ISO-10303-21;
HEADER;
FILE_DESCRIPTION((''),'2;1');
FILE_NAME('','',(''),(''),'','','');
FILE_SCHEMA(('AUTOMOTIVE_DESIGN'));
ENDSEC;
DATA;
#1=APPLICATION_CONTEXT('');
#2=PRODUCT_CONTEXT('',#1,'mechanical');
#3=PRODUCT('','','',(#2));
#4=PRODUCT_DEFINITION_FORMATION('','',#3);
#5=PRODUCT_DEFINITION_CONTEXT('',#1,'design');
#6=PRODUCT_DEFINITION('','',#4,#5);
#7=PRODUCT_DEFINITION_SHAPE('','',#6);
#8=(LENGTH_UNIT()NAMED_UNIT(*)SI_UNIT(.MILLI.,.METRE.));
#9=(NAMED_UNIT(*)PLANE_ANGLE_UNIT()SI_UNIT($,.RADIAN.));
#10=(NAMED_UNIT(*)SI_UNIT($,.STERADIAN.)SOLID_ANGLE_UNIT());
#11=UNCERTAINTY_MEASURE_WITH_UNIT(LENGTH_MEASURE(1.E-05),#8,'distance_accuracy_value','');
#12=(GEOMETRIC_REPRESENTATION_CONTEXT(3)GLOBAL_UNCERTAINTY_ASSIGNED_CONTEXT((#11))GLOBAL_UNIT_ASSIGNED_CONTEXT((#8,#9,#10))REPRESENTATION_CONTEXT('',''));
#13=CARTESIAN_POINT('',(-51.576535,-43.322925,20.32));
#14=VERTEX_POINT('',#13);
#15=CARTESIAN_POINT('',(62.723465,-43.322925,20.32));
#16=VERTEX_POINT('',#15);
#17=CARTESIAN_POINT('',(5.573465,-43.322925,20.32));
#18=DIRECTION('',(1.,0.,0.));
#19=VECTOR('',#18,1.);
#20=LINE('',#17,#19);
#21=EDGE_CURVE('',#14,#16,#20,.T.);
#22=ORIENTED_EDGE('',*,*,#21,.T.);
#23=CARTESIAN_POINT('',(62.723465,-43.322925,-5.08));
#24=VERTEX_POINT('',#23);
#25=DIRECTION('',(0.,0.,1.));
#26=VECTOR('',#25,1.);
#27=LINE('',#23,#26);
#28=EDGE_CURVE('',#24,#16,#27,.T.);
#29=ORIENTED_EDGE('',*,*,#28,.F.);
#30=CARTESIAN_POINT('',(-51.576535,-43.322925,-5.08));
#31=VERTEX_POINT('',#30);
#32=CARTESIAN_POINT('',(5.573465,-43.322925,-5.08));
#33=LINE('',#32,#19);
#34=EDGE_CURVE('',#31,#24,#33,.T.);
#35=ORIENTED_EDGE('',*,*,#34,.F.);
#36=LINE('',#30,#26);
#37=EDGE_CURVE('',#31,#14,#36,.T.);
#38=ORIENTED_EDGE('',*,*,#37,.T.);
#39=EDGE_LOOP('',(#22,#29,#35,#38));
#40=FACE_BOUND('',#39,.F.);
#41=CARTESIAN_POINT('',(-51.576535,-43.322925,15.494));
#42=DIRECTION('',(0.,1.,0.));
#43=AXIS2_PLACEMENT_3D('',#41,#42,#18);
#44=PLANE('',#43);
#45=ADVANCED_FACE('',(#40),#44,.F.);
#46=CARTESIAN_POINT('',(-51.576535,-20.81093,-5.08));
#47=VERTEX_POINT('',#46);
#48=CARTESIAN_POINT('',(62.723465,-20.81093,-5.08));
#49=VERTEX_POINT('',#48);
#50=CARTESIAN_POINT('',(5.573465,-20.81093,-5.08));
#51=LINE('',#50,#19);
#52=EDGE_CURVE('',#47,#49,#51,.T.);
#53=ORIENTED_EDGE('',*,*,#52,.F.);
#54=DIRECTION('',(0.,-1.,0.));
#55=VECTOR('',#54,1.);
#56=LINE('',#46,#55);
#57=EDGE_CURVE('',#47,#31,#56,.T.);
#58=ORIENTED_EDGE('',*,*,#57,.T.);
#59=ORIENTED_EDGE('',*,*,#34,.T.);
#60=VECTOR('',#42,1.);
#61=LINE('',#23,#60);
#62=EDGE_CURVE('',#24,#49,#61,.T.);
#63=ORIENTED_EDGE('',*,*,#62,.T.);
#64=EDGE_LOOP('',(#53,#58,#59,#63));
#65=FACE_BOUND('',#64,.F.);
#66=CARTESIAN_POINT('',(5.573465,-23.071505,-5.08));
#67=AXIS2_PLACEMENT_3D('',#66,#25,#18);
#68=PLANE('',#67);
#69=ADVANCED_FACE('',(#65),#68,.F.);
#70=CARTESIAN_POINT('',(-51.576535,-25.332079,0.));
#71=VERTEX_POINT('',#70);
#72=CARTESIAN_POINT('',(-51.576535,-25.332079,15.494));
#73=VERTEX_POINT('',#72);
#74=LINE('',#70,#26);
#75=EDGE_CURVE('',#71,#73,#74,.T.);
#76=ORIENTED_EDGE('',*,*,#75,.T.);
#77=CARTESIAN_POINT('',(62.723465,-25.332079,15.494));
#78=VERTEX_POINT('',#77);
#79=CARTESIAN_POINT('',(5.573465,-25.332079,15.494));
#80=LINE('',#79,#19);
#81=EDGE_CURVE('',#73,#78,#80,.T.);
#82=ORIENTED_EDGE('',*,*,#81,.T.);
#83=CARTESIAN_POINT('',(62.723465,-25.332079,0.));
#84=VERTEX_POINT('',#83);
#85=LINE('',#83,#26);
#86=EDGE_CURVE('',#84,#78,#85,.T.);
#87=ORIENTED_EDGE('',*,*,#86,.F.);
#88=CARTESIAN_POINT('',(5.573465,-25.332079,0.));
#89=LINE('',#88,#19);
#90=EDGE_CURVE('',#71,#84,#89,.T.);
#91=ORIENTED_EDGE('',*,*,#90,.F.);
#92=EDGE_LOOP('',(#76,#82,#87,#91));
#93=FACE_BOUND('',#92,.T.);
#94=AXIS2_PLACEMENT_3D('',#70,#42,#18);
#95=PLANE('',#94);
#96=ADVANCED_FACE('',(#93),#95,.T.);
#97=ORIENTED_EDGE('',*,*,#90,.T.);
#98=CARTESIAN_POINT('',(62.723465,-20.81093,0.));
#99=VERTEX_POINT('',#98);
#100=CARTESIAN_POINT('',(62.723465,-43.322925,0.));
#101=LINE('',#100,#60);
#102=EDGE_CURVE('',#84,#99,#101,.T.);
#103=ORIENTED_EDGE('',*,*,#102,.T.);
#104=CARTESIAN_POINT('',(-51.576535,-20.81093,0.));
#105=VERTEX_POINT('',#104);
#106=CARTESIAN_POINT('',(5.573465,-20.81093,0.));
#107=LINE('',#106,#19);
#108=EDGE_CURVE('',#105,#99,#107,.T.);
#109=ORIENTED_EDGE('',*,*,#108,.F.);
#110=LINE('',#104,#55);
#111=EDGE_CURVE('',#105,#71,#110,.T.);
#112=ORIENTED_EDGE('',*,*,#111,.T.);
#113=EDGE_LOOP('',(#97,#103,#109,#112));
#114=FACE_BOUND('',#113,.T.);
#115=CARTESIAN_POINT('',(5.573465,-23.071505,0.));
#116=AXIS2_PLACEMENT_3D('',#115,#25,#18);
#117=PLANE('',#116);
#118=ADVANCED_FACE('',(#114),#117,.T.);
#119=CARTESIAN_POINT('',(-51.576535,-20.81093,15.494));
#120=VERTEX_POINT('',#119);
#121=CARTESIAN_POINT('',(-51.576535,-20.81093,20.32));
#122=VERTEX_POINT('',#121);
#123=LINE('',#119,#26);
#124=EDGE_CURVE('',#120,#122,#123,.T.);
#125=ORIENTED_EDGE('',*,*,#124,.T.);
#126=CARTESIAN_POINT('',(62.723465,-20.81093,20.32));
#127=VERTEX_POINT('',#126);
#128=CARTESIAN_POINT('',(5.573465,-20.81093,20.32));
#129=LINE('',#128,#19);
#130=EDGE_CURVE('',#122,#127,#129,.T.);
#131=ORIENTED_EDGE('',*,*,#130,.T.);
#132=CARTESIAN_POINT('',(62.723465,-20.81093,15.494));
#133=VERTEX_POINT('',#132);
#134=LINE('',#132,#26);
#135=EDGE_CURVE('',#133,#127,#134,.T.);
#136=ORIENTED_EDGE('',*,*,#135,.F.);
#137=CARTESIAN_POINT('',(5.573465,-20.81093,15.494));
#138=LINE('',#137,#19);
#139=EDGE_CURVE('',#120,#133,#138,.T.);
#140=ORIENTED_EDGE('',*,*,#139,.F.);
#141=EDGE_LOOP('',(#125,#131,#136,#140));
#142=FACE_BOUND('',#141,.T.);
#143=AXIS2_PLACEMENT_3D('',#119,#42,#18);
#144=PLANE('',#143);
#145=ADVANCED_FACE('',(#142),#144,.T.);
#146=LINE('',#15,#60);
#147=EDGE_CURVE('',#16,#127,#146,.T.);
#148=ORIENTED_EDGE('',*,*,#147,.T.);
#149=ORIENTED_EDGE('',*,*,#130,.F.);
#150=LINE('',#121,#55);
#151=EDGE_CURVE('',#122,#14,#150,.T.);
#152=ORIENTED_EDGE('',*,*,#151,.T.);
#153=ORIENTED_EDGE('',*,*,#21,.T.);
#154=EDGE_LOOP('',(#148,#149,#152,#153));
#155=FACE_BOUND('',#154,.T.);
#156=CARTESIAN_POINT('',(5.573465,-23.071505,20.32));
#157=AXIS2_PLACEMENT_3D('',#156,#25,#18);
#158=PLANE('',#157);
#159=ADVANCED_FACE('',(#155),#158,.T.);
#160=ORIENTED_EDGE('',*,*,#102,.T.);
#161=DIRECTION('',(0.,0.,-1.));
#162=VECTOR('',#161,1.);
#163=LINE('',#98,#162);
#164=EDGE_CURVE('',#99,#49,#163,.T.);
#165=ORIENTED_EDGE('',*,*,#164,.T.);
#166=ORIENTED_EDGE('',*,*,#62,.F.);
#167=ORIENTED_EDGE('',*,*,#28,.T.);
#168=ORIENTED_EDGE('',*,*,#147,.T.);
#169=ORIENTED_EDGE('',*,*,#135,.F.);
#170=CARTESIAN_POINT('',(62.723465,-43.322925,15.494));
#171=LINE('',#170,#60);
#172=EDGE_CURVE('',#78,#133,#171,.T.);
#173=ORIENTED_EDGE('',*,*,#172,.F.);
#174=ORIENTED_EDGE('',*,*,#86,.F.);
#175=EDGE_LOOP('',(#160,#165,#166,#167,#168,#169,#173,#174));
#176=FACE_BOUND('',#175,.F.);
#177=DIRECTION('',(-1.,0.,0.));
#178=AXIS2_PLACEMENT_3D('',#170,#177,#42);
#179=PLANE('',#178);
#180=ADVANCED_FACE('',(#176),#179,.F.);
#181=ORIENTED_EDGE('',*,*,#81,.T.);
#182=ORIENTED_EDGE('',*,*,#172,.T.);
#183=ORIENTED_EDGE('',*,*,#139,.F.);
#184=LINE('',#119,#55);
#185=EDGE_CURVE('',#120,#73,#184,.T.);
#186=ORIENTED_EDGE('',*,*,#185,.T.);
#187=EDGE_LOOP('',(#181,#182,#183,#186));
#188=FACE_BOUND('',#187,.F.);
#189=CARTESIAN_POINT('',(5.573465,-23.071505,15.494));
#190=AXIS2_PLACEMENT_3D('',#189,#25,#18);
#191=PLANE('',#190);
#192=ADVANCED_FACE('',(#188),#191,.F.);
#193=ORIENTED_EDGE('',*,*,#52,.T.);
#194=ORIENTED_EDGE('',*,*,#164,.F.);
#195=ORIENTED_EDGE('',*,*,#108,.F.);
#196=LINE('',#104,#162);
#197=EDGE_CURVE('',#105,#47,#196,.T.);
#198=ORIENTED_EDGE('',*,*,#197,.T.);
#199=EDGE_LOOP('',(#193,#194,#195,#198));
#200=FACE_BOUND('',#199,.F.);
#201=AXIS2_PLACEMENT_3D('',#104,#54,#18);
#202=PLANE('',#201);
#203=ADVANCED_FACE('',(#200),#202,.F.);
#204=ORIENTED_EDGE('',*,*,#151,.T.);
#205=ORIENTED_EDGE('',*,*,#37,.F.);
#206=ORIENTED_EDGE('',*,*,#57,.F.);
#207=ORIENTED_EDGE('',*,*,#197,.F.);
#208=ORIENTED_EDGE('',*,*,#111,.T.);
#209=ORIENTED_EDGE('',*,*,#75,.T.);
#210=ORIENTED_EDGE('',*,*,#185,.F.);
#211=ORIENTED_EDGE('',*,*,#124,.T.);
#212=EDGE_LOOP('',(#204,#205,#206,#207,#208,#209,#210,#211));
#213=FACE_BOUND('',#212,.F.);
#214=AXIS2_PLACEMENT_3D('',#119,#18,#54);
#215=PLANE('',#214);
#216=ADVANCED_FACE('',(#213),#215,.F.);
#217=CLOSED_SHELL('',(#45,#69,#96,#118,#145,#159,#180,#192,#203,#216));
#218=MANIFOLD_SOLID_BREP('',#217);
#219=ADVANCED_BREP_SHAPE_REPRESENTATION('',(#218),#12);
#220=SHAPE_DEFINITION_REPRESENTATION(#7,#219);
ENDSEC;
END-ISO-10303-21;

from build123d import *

# Parameters (mm, degrees)
F0_W     = 114.3
F0_H     = 4.5211492
F0_H_2   = 17.9908454
F1_DEPTH = 5.08
F2_DEPTH = 15.494
F3_START = 15.494
F3_DEPTH = 4.826


with BuildPart() as f1:
    # F0 (on Top) → F1 (new body)
    with BuildSketch(Plane.XY):
        with Locations((5.5734652638, -23.0715045245)):
            Rectangle(F0_W, F0_H)
        with Locations((5.5734652638, -34.3275018245)):
            Rectangle(F0_W, F0_H_2)
    extrude(amount=-F1_DEPTH)

    # F0 (on Top) → F2 (join)
    with BuildSketch(Plane.XY):
        with Locations((5.5734652638, -34.3275018245)):
            Rectangle(F0_W, F0_H_2)
    extrude(amount=F2_DEPTH)

    # F0 (on Top) → F3 (join)
    with BuildSketch(Plane.XY.offset(F3_START)):
        with Locations((5.5734652638, -23.0715045245)):
            Rectangle(F0_W, F0_H)
        with Locations((5.5734652638, -34.3275018245)):
            Rectangle(F0_W, F0_H_2)
    extrude(amount=F3_DEPTH)


solid = f1.part
